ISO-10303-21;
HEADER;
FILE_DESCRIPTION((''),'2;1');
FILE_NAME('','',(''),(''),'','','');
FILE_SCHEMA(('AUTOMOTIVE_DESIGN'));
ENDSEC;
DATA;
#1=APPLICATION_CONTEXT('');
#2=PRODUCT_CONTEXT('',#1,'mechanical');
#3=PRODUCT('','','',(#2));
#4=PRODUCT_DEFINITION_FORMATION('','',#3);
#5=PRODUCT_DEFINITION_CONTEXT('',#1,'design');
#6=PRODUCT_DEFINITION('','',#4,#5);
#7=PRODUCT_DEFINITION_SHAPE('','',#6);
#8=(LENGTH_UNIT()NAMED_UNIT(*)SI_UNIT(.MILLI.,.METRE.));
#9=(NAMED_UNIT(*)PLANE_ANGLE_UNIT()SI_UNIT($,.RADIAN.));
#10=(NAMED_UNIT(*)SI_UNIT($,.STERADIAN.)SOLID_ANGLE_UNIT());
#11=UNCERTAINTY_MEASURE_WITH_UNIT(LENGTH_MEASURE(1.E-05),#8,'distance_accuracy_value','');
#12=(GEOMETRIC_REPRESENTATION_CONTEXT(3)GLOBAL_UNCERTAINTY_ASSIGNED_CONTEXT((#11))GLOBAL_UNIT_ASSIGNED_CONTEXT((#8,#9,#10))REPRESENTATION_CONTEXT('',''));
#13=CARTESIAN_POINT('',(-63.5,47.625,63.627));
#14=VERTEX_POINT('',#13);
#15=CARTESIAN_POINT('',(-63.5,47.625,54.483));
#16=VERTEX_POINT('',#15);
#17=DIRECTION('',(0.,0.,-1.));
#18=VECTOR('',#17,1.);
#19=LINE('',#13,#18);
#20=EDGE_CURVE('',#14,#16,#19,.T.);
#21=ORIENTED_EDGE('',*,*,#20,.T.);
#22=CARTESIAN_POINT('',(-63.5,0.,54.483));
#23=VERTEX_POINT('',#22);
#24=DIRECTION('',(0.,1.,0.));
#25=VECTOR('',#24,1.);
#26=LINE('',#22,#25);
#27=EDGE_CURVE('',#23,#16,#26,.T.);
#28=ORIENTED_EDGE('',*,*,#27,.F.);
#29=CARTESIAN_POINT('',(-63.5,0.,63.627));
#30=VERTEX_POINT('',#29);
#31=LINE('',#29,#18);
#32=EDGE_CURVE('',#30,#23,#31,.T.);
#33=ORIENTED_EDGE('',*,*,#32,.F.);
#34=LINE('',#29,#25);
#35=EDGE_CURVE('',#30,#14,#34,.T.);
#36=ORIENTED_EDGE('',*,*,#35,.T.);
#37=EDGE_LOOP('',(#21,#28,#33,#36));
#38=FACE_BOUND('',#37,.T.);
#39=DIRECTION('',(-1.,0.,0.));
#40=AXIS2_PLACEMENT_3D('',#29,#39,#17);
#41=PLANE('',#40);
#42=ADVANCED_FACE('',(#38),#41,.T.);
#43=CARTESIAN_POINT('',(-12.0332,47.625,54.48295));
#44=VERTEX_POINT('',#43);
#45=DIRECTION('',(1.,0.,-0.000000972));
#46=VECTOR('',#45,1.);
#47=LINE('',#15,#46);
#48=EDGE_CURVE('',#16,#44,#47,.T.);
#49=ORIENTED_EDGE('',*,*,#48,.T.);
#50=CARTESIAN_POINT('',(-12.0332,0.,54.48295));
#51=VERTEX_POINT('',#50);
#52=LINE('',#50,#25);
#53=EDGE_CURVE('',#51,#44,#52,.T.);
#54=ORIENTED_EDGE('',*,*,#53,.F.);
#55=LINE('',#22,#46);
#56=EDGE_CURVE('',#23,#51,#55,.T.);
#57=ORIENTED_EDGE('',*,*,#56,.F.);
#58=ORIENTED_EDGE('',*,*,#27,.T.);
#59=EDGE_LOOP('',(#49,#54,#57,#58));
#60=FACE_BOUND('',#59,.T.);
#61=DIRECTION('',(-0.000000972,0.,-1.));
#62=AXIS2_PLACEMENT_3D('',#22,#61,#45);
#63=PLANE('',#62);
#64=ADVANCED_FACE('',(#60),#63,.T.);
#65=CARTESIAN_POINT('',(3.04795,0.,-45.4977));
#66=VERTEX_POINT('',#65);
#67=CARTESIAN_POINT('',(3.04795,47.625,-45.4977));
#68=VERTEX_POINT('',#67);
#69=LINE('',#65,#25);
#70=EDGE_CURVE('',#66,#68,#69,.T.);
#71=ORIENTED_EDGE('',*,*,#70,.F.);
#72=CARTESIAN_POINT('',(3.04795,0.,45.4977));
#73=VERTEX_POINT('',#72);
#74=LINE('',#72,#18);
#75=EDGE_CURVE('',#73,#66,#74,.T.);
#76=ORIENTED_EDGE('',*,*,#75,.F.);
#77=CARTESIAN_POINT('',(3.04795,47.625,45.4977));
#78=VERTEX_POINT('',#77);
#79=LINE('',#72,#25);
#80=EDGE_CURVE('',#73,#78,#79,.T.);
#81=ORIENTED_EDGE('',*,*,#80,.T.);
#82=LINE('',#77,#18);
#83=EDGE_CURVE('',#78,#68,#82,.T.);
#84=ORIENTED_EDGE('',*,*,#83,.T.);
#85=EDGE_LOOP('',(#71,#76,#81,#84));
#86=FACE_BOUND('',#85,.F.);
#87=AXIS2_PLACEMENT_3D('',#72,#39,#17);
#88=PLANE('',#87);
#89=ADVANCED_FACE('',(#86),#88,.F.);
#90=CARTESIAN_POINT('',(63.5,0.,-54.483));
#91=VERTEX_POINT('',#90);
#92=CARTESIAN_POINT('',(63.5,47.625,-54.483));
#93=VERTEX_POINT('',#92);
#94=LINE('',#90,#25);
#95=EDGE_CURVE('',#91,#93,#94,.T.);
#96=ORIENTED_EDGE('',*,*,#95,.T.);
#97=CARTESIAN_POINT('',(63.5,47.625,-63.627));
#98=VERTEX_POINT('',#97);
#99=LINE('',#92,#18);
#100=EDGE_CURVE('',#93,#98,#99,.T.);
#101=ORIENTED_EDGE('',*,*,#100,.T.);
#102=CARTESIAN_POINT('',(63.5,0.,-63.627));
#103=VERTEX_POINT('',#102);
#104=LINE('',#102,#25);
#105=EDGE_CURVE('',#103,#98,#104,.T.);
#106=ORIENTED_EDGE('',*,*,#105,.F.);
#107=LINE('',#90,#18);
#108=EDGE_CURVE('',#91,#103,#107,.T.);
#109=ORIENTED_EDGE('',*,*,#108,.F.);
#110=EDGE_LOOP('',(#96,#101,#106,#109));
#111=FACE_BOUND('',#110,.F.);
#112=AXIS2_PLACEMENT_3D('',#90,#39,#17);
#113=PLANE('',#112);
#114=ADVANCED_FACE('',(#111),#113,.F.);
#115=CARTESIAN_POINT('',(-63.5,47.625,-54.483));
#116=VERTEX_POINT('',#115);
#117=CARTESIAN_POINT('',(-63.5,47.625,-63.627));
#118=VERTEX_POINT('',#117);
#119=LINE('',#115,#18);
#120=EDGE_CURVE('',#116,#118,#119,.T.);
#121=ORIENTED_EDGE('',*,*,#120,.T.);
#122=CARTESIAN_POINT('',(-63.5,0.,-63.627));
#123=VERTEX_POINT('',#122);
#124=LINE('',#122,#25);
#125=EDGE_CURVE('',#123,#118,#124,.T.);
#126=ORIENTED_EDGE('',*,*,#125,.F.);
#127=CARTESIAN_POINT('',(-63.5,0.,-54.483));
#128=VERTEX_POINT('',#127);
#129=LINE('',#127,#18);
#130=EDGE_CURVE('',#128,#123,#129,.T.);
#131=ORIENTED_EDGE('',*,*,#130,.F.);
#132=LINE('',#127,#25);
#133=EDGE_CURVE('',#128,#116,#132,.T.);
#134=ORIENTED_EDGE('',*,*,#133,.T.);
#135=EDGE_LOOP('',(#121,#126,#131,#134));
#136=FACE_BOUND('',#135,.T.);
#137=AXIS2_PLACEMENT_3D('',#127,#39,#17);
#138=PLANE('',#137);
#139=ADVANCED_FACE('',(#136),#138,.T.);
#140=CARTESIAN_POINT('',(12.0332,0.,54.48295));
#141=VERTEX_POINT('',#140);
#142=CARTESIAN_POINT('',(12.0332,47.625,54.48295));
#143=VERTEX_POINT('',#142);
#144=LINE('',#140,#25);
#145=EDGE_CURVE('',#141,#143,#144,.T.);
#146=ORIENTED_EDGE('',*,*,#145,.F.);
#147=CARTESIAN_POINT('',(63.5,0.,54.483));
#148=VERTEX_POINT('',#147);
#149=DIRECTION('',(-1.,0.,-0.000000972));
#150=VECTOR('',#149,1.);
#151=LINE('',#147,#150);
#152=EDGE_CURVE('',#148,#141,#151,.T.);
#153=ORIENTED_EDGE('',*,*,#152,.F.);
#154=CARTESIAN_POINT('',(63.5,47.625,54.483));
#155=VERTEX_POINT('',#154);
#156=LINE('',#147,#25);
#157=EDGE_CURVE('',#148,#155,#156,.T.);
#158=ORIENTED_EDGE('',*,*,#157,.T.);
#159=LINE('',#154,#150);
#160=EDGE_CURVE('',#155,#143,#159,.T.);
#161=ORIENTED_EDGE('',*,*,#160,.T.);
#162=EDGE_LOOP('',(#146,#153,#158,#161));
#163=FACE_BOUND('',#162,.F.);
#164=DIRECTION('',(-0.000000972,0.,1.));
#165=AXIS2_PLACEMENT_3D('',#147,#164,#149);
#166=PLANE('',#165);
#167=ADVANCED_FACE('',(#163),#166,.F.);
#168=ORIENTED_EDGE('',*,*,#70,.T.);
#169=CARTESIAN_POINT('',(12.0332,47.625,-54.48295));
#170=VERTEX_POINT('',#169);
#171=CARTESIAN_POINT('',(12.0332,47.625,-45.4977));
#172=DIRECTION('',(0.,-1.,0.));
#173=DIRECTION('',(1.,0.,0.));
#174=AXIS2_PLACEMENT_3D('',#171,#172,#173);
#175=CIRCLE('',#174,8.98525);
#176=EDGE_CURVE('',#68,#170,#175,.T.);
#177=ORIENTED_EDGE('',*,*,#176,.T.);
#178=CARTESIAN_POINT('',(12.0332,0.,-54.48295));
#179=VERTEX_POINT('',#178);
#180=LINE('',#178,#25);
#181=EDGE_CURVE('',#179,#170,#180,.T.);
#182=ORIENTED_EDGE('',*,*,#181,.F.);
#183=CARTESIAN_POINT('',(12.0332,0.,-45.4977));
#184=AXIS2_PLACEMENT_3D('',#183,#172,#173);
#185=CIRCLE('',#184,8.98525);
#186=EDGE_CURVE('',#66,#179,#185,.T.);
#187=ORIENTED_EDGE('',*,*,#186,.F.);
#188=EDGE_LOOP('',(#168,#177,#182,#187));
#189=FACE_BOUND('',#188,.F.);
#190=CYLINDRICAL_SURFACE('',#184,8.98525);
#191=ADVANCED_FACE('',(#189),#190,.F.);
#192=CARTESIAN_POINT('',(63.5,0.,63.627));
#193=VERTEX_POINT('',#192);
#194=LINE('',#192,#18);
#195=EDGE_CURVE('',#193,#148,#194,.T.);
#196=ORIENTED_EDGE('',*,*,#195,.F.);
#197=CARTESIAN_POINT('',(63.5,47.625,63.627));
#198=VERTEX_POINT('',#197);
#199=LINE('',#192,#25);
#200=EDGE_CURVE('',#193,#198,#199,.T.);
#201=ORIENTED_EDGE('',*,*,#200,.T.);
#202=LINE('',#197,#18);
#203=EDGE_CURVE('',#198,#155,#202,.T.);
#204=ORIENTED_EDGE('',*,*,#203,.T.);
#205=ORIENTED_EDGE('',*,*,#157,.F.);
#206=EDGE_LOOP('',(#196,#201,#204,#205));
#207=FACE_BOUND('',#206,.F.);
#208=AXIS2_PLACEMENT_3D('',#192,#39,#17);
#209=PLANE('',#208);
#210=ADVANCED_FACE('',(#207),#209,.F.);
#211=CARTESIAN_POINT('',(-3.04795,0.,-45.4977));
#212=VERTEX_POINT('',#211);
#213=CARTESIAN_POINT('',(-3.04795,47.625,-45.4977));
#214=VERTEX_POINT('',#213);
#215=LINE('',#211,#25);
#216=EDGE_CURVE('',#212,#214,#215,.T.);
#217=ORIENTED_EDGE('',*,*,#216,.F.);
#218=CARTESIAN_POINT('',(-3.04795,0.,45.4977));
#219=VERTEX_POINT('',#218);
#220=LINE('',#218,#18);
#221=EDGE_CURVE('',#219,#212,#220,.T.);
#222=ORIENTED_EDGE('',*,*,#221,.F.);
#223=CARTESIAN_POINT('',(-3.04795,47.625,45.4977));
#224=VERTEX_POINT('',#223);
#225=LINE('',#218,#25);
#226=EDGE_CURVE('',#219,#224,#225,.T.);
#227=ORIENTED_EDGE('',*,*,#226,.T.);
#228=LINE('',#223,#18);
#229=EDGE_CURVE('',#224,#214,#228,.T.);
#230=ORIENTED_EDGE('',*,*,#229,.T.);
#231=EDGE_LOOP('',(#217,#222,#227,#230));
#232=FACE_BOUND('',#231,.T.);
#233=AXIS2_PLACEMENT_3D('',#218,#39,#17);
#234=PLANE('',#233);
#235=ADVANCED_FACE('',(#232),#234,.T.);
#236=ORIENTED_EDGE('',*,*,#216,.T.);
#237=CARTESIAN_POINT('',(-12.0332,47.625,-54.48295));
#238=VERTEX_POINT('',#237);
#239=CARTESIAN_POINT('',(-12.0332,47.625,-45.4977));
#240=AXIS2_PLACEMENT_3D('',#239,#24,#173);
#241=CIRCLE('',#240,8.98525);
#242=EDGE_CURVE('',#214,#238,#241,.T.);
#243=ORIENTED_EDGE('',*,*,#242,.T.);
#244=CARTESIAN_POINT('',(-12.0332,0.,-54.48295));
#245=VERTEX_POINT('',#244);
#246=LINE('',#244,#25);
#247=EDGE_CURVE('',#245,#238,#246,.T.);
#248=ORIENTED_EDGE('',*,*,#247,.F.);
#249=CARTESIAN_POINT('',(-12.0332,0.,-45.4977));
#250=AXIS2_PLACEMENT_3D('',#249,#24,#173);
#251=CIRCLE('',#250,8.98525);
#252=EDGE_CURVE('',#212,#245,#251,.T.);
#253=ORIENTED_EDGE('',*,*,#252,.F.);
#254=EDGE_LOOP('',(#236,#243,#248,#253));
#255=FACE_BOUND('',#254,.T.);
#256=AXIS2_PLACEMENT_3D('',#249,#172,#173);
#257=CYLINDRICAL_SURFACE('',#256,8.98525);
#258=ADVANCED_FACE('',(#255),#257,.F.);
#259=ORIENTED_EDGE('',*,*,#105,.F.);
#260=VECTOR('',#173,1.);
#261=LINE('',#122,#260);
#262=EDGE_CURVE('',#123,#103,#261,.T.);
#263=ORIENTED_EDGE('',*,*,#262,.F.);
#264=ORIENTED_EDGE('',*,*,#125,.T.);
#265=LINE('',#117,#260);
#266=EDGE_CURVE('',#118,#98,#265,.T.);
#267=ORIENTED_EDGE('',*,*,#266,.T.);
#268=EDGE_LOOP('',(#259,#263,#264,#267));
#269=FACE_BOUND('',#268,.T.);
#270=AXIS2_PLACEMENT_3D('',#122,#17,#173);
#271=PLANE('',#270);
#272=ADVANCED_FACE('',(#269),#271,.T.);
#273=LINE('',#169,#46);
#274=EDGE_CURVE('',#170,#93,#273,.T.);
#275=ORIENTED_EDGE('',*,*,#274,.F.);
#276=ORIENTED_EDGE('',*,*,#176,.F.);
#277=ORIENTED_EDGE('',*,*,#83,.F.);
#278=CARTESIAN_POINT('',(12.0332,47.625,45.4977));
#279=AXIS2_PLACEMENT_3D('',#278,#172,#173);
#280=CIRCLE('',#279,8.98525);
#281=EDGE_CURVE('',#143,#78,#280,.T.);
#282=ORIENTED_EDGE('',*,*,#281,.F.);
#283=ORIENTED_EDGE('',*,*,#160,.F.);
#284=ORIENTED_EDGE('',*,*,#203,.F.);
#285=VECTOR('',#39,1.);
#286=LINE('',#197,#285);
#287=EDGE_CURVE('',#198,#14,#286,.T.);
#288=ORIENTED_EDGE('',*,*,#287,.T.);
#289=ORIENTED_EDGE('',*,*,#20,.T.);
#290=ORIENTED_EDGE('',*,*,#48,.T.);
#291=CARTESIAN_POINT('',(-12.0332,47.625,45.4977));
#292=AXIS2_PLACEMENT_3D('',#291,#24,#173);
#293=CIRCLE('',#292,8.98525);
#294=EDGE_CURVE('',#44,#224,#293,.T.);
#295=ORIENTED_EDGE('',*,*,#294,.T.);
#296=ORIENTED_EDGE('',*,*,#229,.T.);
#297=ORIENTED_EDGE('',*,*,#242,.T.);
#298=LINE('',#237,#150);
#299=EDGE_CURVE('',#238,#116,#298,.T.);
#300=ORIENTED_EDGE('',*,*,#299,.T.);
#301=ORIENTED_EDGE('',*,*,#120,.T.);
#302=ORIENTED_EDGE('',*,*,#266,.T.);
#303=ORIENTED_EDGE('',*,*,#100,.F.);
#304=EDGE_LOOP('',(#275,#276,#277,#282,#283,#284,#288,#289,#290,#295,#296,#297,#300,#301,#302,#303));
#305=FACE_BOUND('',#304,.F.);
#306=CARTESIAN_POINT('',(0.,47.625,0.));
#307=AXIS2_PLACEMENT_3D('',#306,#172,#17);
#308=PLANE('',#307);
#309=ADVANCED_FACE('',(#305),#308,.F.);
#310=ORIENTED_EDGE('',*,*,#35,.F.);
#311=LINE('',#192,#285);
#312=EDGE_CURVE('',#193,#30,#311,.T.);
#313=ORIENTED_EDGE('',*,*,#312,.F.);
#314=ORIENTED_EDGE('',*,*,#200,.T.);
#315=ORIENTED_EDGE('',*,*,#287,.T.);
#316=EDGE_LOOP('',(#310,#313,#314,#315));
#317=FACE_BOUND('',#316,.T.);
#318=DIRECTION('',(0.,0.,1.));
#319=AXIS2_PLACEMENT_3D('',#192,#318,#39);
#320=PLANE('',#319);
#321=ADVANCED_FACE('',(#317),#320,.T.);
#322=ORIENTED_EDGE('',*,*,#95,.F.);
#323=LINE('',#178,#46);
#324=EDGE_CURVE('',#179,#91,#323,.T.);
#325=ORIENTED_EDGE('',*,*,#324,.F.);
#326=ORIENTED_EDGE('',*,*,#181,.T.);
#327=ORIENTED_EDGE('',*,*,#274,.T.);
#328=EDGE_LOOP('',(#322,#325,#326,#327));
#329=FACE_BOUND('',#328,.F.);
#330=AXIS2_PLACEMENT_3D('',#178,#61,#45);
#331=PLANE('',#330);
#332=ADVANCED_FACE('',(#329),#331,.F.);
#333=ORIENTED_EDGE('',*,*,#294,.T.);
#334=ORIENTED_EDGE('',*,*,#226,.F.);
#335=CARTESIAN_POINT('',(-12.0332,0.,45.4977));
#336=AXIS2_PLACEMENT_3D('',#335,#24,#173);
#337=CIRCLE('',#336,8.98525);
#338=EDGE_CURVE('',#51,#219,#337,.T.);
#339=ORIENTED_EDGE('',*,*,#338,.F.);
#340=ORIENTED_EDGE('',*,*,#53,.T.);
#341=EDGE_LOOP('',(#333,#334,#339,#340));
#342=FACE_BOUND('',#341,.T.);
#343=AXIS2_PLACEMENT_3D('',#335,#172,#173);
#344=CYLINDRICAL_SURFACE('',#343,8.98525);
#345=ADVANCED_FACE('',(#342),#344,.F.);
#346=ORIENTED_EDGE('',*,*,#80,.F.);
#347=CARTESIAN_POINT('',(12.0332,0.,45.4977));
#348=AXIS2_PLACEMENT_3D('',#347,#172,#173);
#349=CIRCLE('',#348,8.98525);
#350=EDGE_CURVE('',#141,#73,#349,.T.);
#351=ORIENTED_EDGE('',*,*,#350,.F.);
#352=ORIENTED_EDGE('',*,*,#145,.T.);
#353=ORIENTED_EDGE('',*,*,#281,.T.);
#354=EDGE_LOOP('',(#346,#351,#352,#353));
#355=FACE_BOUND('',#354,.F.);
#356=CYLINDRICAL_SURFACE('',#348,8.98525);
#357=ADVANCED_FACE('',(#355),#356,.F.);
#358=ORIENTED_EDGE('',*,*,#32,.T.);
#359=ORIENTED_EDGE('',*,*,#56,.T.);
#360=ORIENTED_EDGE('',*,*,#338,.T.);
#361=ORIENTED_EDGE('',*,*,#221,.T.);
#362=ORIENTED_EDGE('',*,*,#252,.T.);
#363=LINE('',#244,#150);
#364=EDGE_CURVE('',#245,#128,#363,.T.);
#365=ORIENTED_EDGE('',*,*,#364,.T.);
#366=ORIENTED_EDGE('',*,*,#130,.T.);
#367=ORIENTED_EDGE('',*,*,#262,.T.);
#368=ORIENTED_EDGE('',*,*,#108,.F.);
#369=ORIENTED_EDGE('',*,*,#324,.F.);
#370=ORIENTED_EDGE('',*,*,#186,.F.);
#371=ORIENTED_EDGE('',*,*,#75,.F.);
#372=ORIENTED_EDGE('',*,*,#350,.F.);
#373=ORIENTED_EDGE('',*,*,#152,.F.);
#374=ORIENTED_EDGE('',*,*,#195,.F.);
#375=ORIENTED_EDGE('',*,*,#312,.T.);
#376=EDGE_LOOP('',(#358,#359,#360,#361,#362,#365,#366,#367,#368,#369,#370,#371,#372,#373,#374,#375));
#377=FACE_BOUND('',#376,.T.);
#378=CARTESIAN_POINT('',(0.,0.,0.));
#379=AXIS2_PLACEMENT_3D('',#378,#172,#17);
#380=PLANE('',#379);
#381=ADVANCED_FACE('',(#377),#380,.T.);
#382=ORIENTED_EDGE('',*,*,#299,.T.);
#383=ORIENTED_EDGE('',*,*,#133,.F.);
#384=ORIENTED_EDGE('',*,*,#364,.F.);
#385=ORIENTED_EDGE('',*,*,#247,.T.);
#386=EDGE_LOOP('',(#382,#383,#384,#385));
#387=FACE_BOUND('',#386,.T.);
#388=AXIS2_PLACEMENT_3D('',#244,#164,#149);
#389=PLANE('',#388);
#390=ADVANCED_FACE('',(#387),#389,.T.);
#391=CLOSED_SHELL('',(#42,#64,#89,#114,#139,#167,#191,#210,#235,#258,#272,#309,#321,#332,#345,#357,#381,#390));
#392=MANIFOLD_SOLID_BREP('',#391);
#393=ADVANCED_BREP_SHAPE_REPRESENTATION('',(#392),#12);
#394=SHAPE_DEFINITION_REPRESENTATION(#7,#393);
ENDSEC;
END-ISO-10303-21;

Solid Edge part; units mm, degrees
sketch "Sketch1" plane through (0, 0, 0) normal (0, -1, 0) x (1, 0, 0)
  line L0 (63.5, 63.627) -> (-63.5, 63.627)
  line L1 (-63.5, 63.627) -> (-63.5, 54.483)
  line L2 (-63.5, 54.483) -> (-12.0332, 54.483)
  arc A0 (-12.0332, 54.483) -> (-3.048, 45.4977) centre (-12.0332, 45.4977) cw
  line L3 (-3.048, 45.4977) -> (-3.048, -45.4977)
  arc A1 (-3.048, -45.4977) -> (-12.0332, -54.483) centre (-12.0332, -45.4977) cw
  line L4 (-12.0332, -54.483) -> (-63.5, -54.483)
  line L5 (-63.5, -54.483) -> (-63.5, -63.627)
  line L6 (-63.5, -63.627) -> (63.5, -63.627)
  line L7 (63.5, -54.483) -> (63.5, -63.627)
  line L8 (12.0332, -54.483) -> (63.5, -54.483)
  arc A2 (3.048, -45.4977) -> (12.0332, -54.483) centre (12.0332, -45.4977) ccw
  line L9 (3.048, 45.4977) -> (3.048, -45.4977)
  arc A3 (12.0332, 54.483) -> (3.048, 45.4977) centre (12.0332, 45.4977) ccw
  line L10 (63.5, 54.483) -> (12.0332, 54.483)
  line L11 (63.5, 63.627) -> (63.5, 54.483)
  dimension "D1" = 9.144
  dimension "D2" = 127.254
  dimension "D3" = 127
extrude "Protrusion1" add sketch "Sketch1" against normal blind 47.625
